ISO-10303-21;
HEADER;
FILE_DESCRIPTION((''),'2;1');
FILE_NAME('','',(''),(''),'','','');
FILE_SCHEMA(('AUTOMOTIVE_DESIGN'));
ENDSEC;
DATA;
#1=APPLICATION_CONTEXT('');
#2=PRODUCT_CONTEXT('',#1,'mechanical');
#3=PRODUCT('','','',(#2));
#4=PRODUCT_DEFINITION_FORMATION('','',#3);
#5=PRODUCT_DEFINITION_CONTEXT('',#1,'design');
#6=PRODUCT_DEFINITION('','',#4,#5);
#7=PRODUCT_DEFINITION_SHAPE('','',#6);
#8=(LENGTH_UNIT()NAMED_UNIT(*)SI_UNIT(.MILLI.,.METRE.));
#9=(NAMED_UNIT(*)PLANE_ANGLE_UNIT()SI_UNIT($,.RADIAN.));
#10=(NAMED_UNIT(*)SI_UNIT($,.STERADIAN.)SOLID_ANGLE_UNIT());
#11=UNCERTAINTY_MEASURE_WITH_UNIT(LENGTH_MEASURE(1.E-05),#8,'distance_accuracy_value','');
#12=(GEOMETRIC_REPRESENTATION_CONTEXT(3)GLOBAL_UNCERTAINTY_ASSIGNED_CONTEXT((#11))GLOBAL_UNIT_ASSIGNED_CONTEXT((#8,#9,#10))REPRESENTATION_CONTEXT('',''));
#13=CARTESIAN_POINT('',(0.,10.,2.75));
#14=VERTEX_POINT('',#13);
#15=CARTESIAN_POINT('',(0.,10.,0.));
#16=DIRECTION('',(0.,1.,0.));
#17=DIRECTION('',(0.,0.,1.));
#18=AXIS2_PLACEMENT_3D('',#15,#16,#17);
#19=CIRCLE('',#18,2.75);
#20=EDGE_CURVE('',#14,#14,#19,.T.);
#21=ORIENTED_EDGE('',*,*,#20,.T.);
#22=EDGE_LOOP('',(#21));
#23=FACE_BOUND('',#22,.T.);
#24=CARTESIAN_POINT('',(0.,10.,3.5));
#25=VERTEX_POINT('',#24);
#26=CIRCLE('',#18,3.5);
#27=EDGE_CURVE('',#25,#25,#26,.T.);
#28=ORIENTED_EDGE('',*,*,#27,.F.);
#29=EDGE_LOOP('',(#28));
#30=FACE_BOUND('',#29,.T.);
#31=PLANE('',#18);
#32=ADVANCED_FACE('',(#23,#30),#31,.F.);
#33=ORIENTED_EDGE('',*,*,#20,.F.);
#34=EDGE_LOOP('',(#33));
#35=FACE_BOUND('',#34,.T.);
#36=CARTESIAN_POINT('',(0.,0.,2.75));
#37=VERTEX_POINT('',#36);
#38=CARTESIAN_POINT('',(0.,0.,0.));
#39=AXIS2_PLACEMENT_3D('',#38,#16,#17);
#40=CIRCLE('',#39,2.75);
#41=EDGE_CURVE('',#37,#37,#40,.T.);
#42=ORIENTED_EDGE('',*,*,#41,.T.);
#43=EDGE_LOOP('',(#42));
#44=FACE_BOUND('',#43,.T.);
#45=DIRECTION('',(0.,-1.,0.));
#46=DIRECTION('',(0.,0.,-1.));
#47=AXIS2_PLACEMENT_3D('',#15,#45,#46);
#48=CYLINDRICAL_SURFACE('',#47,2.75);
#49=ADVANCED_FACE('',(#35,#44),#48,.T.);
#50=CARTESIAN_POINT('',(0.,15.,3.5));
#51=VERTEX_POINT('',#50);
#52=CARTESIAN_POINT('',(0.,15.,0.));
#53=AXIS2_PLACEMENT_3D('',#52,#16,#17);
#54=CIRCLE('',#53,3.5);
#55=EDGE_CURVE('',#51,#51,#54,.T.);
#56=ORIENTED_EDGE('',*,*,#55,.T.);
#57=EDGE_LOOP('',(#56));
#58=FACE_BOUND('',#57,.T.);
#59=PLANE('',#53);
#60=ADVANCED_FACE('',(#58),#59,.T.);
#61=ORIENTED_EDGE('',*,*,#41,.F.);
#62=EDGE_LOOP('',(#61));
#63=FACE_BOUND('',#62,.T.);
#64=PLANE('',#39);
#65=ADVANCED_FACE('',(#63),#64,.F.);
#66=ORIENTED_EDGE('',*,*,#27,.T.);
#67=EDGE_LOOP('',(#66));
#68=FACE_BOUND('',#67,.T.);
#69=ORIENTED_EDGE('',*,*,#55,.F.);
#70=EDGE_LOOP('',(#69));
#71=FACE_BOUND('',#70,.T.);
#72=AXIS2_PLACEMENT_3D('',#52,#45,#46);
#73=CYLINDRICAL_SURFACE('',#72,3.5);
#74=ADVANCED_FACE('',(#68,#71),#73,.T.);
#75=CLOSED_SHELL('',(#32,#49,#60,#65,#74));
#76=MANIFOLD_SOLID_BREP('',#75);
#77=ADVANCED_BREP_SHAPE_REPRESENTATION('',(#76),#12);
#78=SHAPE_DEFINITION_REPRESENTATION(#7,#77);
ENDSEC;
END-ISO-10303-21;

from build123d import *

# Parameters (mm, degrees)
SKETCH1_R           = 2.75
BOSS_EXTRUDE1_DEPTH = 10
SKETCH2_R           = 3.5
BOSS_EXTRUDE2_DEPTH = 5


with BuildPart() as part:
    # Sketch1 → Boss-Extrude1 (new body)
    with BuildSketch(Plane(origin=(0, 0, 0), x_dir=(1, 0, 0), z_dir=(0, 1, 0))):
        Circle(SKETCH1_R)
    extrude(amount=BOSS_EXTRUDE1_DEPTH)

    # Sketch2 → Boss-Extrude2 (add)
    with BuildSketch(Plane(origin=(0, 10, 0), x_dir=(1, 0, 0), z_dir=(0, 1, 0))):
        Circle(SKETCH2_R)
    extrude(amount=BOSS_EXTRUDE2_DEPTH)


solid = part.part
